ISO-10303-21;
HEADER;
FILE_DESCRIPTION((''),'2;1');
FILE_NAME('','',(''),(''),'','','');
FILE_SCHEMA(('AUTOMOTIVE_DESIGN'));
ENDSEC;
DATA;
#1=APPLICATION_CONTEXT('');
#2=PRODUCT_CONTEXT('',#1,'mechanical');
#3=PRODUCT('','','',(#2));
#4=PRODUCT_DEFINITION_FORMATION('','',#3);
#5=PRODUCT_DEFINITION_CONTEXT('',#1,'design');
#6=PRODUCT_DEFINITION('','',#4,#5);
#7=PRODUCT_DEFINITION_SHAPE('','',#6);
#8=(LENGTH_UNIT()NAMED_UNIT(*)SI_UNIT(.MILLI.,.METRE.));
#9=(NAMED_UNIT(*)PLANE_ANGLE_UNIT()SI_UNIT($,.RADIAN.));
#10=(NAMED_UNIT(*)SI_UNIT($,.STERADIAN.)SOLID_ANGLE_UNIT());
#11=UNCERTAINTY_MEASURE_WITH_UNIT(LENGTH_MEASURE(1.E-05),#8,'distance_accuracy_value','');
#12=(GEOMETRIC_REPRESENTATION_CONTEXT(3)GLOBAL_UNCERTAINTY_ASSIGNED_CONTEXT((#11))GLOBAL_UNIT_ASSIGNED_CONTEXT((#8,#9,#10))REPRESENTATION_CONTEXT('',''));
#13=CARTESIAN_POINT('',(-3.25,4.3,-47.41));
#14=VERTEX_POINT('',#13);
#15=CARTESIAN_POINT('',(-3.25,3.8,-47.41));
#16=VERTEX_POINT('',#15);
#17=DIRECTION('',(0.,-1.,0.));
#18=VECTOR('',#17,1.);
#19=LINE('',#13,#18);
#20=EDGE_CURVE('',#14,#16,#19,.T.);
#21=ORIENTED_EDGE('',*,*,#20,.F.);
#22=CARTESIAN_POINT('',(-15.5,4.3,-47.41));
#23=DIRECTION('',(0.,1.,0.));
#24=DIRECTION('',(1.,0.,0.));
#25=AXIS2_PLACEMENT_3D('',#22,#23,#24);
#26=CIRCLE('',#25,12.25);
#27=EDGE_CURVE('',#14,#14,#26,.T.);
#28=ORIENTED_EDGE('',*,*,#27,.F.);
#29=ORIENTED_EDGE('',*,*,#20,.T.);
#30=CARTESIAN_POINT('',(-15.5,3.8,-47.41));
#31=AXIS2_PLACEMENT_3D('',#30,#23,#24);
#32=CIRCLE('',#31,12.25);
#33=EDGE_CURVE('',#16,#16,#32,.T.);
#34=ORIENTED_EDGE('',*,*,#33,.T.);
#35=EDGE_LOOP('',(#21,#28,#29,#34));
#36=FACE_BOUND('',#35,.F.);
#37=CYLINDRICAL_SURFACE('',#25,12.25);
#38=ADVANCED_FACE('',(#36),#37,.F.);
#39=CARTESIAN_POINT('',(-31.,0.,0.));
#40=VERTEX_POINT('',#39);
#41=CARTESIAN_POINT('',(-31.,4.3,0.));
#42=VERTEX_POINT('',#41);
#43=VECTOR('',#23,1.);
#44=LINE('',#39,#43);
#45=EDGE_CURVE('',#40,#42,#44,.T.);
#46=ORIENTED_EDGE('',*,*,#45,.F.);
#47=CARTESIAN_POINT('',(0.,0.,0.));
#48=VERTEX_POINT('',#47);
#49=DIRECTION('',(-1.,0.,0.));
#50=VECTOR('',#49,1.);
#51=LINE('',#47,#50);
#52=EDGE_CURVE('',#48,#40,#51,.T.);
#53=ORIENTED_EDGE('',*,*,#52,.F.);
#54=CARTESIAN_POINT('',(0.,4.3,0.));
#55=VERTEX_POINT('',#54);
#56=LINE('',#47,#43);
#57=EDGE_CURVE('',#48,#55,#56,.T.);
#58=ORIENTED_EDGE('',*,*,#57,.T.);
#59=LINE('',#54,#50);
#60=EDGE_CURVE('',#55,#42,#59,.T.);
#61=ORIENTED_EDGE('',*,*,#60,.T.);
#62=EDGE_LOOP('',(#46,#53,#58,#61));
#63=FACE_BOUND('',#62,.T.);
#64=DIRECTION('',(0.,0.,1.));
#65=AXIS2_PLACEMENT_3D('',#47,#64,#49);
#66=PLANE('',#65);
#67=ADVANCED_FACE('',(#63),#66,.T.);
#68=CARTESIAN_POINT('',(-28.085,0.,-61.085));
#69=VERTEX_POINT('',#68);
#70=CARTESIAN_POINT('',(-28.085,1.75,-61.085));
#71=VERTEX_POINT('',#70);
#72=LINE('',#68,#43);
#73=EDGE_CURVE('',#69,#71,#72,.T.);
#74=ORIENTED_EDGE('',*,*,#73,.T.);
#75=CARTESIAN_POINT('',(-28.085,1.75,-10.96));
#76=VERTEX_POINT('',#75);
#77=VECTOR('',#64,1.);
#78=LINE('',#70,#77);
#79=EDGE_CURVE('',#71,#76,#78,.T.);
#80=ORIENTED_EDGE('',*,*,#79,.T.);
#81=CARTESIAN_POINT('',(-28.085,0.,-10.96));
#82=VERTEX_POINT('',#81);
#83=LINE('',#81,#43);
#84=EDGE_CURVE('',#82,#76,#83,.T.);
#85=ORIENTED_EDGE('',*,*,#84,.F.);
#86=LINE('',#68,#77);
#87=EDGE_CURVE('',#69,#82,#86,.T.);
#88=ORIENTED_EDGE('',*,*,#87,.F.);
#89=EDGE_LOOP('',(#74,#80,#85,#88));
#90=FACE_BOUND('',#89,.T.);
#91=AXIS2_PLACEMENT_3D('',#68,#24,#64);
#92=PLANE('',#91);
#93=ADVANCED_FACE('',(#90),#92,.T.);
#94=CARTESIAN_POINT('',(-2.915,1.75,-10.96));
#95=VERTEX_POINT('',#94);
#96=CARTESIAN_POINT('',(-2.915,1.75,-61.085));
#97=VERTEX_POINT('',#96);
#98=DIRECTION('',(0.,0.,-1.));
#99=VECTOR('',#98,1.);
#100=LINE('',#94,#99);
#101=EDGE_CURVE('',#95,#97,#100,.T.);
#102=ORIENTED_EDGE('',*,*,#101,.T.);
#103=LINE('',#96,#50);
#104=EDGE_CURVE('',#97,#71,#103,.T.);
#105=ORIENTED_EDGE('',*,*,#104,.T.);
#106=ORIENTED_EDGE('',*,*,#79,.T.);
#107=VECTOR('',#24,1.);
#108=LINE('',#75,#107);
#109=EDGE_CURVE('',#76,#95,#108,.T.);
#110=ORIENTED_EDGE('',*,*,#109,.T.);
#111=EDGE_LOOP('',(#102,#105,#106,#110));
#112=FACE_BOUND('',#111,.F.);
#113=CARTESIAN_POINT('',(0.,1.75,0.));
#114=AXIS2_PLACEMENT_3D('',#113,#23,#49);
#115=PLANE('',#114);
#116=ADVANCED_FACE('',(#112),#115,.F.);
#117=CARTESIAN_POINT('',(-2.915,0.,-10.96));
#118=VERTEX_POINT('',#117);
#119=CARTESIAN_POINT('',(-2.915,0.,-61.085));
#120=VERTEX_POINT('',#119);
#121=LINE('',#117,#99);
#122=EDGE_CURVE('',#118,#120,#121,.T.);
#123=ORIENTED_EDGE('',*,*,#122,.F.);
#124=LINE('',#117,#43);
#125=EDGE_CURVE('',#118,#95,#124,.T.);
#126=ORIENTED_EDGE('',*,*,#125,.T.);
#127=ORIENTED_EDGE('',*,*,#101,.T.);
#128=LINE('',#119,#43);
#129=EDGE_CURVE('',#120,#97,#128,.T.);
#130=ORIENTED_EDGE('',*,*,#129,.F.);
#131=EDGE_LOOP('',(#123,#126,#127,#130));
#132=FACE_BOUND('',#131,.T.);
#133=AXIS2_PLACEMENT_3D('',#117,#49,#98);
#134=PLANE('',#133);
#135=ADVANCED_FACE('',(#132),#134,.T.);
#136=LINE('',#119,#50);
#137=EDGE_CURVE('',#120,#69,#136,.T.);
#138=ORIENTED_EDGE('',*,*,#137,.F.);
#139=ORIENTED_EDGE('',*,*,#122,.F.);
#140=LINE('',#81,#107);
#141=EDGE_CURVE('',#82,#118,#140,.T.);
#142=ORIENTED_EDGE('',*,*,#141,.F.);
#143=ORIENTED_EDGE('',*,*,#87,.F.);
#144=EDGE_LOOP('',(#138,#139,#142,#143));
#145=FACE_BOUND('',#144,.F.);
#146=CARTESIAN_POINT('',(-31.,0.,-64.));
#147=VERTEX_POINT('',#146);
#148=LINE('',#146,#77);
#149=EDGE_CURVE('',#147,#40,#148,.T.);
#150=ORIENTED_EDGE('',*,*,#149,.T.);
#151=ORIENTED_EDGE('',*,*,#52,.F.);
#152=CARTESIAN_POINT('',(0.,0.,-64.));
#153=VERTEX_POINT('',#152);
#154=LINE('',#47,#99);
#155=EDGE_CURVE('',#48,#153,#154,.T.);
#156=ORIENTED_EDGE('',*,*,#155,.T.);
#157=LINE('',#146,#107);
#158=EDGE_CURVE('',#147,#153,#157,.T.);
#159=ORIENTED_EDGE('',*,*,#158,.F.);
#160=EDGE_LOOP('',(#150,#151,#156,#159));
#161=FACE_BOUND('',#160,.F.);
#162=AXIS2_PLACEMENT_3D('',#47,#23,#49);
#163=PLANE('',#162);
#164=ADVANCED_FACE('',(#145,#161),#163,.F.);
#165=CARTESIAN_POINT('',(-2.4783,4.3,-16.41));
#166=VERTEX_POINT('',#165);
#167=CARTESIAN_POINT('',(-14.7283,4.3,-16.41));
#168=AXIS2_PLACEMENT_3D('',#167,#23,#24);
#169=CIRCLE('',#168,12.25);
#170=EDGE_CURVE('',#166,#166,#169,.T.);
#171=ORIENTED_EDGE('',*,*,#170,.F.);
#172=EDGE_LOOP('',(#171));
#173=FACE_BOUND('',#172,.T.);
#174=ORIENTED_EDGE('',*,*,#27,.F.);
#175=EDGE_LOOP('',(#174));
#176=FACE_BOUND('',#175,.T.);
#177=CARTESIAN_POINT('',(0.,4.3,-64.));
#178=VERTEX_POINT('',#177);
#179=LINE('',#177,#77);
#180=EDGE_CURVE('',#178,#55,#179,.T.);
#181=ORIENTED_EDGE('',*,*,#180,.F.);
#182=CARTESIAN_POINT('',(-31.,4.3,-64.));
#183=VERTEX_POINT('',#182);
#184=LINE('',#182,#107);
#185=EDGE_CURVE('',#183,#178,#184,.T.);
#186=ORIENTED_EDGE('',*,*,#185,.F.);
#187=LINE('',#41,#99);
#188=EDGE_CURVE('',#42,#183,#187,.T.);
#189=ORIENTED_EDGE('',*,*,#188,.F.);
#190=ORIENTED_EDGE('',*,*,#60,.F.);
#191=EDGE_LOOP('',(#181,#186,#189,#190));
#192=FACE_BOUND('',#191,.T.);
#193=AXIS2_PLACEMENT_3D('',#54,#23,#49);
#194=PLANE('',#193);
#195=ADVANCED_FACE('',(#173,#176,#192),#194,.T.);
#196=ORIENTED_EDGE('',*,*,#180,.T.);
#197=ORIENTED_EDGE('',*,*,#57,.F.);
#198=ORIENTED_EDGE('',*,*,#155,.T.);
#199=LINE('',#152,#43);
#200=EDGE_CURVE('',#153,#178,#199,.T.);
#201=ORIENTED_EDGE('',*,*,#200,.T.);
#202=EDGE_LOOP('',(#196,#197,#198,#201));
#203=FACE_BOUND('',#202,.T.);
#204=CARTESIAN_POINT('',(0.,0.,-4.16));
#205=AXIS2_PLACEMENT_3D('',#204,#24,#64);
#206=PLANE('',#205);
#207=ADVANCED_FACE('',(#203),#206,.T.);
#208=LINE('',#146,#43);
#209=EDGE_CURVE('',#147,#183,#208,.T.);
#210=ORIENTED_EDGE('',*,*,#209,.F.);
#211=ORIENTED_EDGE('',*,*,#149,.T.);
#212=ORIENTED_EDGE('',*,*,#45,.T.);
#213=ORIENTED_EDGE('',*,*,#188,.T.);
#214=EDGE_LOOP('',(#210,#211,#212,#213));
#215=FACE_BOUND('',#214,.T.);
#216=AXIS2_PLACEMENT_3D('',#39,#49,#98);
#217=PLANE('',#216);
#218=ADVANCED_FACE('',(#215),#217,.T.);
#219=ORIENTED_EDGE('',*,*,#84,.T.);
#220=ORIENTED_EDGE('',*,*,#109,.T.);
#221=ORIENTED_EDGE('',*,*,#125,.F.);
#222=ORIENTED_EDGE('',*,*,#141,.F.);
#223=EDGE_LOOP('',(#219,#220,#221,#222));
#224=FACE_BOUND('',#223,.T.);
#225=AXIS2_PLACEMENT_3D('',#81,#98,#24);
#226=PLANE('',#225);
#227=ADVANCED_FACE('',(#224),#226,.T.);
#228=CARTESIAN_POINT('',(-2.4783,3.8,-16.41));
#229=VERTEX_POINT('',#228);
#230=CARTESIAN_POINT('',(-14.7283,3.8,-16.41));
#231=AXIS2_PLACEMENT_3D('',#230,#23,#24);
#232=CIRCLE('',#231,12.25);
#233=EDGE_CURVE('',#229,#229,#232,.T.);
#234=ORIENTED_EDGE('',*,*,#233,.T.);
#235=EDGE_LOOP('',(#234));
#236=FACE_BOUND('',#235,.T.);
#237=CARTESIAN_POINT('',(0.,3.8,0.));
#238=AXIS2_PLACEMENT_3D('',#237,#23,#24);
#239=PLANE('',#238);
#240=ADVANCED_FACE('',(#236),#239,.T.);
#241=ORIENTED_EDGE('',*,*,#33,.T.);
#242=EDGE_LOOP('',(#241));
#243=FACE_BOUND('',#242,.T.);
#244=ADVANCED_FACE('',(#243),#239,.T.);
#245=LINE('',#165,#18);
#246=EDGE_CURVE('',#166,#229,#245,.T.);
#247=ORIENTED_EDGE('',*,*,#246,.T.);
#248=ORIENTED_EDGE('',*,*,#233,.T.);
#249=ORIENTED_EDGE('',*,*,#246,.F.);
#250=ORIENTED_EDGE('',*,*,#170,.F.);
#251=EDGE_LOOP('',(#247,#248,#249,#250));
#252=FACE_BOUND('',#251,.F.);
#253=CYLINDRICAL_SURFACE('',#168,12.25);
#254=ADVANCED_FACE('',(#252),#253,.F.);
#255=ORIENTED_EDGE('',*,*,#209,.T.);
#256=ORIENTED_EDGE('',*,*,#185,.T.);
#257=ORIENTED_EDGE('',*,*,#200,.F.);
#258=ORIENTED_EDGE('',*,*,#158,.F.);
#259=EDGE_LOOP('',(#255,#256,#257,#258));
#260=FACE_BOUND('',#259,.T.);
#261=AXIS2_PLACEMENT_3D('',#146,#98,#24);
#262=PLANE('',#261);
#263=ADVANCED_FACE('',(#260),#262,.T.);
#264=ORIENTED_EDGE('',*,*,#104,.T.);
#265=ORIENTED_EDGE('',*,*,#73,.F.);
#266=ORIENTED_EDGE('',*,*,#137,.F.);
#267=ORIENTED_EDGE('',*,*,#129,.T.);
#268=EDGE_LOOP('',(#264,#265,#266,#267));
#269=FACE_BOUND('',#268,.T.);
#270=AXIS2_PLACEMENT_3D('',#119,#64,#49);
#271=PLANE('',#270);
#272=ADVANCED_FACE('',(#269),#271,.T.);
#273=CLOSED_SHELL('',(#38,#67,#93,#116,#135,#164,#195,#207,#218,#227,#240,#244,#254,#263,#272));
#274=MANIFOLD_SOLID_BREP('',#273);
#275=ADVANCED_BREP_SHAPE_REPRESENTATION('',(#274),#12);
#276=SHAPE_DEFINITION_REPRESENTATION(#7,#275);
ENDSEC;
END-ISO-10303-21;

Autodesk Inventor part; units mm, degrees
ref_plane "YZ Plane" through (0, 0, 0) normal (1, 0, 0) x (0, 1, 0)
ref_plane "XZ Plane" through (0, 0, 0) normal (0, 1, 0) x (-1, 0, 0)
ref_plane "XY Plane" through (0, 0, 0) normal (0, 0, 1) x (1, 0, 0)
sketch "Sketch1" plane through (0, 0, 0) normal (0, 1, 0) x (-1, 0, 0)
  line L0 (0, 0) -> (31, 0)
  line L1 (31, 0) -> (31, -64)
  line L2 (31, -64) -> (0, -64)
  line L3 (0, -64) -> (0, 0)
  line L4 (28.085, -10.96) -> (2.915, -10.96)
  line L5 (2.915, -10.96) -> (2.915, -61.085)
  line L6 (2.915, -61.085) -> (28.085, -61.085)
  line L7 (28.085, -61.085) -> (28.085, -10.96)
  line L8 (31, -43.4956) -> (28.085, -43.4956) construction
  line L9 (15.5, -61.085) -> (15.5, -64) construction
  line L10 (31, -4.16) -> (0, -4.16)
  line L11 (31, -10.96) -> (0, -10.96)
  point P0 (15.5, -10.96)
  point P1 (15.5, 0)
  dimension "d0" = 31
  dimension "d1" = 64
  dimension "d2" = 25.17
  dimension "d4" = 4.16
  dimension "d5" = 6.8
extrude "Extrusion1" add sketch "Sketch1" along normal blind 4.3
extrude "Extrusion2" cut sketch "Sketch1" along normal blind 1.75 contours L4 L7 L6 L5
sketch "Sketch2" plane through (0, 4.3, 0) normal (0, 1, 0) x (1, 0, 0)
  circle A0 centre (-15.5, 47.41) radius 12.25
  line L0 (0, 64) -> (-31, 64) projected
  circle A1 centre (-14.7283, 16.41) radius 12.25
  line L1 (-31, 0) -> (0, 0) projected
  point P0 (-15.5, 64)
  dimension "d10" = 24.5
  dimension "d11" = 4.34
  dimension "d13" = 28.66
extrude "Extrusion3" cut sketch "Sketch2" against normal blind 0.5
properties part number "ShelfLabel"
